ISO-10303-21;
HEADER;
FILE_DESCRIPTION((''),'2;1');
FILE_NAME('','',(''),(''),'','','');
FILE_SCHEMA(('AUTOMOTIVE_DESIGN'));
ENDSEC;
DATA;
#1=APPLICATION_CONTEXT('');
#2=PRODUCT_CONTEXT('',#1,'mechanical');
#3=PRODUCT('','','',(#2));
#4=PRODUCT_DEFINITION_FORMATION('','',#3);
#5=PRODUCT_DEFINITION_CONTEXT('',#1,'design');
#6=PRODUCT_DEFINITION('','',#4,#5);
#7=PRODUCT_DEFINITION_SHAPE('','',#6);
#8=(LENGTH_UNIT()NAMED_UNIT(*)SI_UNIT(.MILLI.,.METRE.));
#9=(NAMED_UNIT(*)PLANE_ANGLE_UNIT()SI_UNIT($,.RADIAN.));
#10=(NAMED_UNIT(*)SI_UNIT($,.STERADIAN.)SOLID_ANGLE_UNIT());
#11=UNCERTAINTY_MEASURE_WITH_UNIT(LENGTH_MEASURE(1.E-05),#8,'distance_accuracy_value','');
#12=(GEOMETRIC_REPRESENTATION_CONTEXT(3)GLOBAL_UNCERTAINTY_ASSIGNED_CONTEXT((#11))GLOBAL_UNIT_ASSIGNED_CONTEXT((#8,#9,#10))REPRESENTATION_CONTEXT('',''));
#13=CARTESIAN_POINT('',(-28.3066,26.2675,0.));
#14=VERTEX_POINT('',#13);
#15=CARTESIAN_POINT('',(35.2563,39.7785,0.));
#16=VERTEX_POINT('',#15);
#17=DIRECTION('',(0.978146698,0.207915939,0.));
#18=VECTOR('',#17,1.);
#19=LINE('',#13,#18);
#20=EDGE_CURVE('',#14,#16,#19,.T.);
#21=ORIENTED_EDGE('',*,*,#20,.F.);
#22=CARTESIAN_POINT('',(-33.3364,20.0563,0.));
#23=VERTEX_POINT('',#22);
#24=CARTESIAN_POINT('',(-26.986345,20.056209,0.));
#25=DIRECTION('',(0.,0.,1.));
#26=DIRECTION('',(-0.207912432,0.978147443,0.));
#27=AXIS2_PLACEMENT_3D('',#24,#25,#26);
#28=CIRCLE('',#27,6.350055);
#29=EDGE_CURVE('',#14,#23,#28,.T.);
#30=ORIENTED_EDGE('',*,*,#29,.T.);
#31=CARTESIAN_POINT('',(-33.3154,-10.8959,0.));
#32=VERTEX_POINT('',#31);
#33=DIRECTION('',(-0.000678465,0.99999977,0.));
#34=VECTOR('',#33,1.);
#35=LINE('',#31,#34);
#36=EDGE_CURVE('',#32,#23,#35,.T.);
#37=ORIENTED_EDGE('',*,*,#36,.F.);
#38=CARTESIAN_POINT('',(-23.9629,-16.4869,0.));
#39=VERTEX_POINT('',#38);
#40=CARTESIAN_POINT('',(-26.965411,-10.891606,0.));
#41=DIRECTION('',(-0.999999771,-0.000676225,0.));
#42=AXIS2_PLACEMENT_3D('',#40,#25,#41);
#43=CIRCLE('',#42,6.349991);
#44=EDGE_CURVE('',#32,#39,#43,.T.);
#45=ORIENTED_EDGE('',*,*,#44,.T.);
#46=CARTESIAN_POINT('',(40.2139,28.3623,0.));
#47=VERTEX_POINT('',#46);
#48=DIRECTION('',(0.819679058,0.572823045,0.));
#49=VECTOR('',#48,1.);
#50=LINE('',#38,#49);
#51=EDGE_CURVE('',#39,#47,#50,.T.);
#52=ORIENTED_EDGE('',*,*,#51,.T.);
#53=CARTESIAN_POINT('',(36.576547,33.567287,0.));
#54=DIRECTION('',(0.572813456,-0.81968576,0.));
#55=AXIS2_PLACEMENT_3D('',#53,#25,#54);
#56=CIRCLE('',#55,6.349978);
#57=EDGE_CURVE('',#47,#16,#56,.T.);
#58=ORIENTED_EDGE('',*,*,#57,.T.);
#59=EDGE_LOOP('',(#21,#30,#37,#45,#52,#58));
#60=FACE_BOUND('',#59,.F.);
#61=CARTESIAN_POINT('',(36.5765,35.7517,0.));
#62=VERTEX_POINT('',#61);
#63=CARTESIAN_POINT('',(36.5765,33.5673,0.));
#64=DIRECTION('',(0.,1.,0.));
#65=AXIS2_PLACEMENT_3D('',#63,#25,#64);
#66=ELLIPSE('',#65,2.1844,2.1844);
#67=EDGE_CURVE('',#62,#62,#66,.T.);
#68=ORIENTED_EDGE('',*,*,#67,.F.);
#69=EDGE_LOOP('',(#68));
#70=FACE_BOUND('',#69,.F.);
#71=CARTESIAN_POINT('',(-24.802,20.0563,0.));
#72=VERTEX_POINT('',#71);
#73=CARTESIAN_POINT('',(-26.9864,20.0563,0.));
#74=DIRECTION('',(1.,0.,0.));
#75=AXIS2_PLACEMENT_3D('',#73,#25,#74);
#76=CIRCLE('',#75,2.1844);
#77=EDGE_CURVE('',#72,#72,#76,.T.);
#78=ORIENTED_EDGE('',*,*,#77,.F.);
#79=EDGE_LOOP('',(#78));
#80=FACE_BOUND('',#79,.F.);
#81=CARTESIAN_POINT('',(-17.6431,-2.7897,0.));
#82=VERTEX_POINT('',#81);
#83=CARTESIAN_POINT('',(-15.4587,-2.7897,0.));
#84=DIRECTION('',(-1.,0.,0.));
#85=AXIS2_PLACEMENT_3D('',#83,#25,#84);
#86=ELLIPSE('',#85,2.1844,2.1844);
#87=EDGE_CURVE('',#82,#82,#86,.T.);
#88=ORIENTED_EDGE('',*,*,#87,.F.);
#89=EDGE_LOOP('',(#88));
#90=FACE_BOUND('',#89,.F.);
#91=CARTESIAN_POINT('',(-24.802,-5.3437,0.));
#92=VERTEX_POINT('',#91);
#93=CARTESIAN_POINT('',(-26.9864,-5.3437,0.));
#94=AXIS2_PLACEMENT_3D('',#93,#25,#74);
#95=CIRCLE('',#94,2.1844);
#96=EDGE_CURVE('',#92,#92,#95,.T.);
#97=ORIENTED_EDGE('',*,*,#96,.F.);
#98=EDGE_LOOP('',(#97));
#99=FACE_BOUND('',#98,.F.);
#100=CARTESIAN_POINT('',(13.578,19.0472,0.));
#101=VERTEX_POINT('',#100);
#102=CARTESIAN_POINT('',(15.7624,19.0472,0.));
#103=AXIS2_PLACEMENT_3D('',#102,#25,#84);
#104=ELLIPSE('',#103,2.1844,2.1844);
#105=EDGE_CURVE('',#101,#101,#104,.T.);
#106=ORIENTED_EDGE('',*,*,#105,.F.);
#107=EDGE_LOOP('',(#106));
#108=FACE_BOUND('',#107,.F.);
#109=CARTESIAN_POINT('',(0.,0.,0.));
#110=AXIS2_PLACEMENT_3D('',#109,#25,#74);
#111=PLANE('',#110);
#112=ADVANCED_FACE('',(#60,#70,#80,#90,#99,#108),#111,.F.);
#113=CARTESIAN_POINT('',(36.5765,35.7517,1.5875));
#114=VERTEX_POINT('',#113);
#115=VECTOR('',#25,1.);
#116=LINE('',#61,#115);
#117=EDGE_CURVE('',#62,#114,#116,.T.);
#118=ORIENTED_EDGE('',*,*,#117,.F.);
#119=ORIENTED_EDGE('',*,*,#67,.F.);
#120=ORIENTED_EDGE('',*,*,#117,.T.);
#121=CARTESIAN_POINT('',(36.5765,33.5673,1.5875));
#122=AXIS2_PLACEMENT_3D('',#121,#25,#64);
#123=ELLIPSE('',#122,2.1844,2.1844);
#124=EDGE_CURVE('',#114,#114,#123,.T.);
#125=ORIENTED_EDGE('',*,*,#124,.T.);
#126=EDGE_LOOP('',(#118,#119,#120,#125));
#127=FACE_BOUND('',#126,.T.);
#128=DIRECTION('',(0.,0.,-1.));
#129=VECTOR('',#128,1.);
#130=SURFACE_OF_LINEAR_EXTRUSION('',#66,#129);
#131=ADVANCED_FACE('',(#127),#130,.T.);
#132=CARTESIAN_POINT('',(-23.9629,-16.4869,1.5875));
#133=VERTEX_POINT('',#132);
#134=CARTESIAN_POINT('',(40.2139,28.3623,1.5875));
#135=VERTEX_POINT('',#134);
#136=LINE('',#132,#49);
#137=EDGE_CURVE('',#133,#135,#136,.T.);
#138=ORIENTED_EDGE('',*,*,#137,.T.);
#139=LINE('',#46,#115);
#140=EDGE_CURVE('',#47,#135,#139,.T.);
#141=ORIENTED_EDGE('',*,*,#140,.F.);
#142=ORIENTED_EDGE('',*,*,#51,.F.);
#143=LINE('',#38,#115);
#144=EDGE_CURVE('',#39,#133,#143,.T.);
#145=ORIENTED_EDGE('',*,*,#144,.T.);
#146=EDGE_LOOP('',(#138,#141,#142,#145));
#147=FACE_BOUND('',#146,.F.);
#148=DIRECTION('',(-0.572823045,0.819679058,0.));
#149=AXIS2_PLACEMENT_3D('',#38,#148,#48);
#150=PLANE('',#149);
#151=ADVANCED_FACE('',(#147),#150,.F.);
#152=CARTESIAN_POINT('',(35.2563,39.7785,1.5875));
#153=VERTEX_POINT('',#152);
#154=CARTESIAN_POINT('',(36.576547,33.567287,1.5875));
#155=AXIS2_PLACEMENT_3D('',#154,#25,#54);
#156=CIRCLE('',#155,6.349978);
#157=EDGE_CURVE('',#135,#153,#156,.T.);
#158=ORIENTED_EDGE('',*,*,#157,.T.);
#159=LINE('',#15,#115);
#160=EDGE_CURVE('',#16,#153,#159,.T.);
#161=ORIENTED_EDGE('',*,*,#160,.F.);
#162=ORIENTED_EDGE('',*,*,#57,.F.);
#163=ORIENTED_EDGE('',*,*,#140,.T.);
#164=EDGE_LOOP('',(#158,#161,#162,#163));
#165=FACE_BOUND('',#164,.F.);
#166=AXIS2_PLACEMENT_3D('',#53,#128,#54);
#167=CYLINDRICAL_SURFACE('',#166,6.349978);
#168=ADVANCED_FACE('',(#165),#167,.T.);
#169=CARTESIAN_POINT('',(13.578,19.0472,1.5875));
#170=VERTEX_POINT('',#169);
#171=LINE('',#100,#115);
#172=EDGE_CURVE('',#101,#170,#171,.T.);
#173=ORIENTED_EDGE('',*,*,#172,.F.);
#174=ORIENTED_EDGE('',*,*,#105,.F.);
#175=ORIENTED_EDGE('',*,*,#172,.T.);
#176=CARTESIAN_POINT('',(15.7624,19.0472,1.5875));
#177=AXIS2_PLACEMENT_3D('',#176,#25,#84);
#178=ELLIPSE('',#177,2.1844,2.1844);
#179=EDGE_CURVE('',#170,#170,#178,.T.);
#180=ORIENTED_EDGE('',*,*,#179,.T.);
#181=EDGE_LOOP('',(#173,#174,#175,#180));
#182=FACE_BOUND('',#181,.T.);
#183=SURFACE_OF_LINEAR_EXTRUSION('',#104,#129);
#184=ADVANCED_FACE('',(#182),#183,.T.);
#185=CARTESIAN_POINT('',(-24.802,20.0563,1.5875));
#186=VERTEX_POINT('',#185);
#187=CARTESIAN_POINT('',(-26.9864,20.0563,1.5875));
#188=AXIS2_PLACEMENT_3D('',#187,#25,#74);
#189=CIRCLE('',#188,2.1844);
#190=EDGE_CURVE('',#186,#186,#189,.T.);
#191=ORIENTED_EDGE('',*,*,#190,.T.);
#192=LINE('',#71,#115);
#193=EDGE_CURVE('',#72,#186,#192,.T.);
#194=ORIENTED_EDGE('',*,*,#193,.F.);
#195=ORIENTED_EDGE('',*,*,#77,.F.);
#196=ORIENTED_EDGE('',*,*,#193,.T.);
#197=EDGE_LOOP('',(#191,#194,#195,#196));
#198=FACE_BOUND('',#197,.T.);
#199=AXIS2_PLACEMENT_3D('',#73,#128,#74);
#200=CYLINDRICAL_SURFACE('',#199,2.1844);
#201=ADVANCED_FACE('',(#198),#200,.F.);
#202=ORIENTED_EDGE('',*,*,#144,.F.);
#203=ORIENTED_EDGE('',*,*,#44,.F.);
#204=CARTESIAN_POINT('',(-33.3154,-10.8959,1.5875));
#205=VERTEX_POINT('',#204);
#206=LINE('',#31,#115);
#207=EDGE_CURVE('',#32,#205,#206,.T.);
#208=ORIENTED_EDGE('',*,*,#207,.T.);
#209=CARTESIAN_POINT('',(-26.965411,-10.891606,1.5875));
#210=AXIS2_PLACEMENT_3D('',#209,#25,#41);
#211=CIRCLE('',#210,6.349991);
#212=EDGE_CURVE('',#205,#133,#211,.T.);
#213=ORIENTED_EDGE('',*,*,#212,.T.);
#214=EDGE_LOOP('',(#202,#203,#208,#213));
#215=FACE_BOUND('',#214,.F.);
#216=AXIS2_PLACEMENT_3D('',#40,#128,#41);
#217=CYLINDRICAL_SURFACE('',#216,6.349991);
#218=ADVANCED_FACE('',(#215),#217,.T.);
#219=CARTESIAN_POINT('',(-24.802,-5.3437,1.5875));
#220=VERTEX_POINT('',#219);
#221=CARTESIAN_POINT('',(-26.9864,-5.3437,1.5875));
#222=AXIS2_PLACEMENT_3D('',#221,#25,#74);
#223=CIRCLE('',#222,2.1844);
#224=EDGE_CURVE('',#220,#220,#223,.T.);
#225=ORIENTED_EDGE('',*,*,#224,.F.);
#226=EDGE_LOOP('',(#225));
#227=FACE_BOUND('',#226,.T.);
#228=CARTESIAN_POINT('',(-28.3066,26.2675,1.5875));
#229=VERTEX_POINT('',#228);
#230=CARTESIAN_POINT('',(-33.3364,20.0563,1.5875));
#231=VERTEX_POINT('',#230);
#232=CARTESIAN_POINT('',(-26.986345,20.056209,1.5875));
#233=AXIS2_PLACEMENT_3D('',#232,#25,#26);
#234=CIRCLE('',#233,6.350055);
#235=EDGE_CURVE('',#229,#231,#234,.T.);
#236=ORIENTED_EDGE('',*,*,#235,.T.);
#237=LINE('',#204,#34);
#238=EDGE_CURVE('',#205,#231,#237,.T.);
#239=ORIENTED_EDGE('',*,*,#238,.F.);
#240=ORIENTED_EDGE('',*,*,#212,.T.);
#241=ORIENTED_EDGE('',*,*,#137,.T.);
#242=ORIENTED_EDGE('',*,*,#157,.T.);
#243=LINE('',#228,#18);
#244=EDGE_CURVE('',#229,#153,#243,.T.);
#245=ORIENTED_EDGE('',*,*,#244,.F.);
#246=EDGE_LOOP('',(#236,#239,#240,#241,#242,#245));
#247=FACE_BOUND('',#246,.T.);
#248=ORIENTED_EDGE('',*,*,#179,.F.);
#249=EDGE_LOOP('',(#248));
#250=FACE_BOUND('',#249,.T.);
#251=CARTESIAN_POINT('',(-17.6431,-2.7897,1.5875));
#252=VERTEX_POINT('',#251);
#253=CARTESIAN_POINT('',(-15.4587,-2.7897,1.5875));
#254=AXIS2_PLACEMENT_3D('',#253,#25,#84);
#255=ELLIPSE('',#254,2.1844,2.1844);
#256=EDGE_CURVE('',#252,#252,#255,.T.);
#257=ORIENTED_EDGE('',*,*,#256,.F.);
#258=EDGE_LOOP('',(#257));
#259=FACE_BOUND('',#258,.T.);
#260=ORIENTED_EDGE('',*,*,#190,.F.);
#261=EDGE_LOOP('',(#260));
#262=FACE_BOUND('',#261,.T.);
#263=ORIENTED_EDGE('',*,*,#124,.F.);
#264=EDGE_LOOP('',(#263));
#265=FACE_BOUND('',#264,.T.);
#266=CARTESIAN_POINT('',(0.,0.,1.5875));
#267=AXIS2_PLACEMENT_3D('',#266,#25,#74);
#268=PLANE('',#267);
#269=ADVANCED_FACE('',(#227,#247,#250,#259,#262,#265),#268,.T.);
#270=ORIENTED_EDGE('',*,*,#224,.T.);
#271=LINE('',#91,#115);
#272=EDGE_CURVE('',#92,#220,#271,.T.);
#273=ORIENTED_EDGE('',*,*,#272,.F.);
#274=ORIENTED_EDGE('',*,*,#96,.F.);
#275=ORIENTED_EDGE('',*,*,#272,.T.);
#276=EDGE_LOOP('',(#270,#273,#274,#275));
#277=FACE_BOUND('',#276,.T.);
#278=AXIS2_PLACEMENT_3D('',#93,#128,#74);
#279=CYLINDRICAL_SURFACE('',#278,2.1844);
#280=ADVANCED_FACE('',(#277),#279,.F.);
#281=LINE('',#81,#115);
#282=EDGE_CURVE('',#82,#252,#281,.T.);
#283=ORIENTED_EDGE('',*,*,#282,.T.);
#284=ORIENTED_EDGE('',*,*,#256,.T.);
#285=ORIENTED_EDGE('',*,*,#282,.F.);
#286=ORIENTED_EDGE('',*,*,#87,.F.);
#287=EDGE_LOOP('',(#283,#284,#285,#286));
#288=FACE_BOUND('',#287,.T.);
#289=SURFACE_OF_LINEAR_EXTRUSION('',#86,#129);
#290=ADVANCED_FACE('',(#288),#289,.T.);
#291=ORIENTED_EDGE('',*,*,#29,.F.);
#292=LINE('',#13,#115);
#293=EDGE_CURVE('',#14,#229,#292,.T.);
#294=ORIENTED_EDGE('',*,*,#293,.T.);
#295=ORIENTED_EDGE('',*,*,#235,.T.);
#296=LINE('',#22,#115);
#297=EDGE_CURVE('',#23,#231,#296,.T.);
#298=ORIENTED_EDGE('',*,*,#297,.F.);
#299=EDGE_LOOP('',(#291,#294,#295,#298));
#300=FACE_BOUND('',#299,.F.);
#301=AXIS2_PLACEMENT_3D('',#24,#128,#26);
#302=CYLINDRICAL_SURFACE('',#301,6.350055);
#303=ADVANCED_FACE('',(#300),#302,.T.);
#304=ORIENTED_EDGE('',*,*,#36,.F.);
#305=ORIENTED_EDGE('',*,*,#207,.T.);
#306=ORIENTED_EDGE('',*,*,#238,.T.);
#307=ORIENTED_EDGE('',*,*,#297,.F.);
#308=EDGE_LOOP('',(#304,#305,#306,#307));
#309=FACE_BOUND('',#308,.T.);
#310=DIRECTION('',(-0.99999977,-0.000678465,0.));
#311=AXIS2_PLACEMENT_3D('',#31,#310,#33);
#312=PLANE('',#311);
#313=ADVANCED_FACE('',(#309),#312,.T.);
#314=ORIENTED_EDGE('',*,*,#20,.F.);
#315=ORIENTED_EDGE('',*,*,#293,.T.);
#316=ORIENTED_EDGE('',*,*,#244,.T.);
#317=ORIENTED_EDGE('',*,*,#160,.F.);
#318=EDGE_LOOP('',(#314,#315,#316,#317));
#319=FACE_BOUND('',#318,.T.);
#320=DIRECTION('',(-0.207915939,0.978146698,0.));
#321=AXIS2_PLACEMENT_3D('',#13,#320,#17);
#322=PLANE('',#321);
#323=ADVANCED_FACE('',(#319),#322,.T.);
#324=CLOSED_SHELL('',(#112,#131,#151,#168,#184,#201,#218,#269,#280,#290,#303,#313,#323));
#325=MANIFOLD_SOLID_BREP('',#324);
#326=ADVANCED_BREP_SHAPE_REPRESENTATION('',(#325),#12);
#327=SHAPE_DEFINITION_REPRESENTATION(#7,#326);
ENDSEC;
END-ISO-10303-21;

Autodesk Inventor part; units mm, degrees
ref_plane "YZ Plane" through (0, 0, 0) normal (1, 0, 0) x (0, 1, 0)
ref_plane "XZ Plane" through (0, 0, 0) normal (0, 1, 0) x (-1, 0, 0)
ref_plane "XY Plane" through (0, 0, 0) normal (0, 0, 1) x (1, 0, 0)
sketch "Sketch1" plane through (0, 0, 0) normal (0, 0, 1) x (1, 0, 0)
  ellipse E0 centre (36.5765, 33.5673) end of major axis (38.7609, 33.5673) minor radius 2.1844
  ellipse E1 centre (15.7624, 19.0472) end of major axis (13.578, 19.0472) minor radius 2.1844
  circle A0 centre (-26.9864, 20.0563) radius 2.1844
  ellipse E2 centre (-15.4587, -2.7897) end of major axis (-17.6431, -2.7897) minor radius 2.1844
  circle A1 centre (-26.9864, -5.3437) radius 2.1844
  line L0 (-33.3154, -10.8959) -> (-33.3364, 20.0563)
  arc A2 (-33.3154, -10.8959) -> (-23.9629, -16.4869) centre (-26.9654, -10.8916) ccw
  line L1 (-28.3066, 26.2675) -> (35.2563, 39.7785)
  line L2 (-23.9629, -16.4869) -> (40.2139, 28.3623)
  arc A3 (40.2139, 28.3623) -> (35.2563, 39.7785) centre (36.5765, 33.5673) ccw
  arc A4 (-28.3066, 26.2675) -> (-33.3364, 20.0563) centre (-26.9864, 20.0563) ccw
  point P0 (0, 0)
extrude "Extrusion1" add sketch "Sketch1" along normal blind 1.5875
